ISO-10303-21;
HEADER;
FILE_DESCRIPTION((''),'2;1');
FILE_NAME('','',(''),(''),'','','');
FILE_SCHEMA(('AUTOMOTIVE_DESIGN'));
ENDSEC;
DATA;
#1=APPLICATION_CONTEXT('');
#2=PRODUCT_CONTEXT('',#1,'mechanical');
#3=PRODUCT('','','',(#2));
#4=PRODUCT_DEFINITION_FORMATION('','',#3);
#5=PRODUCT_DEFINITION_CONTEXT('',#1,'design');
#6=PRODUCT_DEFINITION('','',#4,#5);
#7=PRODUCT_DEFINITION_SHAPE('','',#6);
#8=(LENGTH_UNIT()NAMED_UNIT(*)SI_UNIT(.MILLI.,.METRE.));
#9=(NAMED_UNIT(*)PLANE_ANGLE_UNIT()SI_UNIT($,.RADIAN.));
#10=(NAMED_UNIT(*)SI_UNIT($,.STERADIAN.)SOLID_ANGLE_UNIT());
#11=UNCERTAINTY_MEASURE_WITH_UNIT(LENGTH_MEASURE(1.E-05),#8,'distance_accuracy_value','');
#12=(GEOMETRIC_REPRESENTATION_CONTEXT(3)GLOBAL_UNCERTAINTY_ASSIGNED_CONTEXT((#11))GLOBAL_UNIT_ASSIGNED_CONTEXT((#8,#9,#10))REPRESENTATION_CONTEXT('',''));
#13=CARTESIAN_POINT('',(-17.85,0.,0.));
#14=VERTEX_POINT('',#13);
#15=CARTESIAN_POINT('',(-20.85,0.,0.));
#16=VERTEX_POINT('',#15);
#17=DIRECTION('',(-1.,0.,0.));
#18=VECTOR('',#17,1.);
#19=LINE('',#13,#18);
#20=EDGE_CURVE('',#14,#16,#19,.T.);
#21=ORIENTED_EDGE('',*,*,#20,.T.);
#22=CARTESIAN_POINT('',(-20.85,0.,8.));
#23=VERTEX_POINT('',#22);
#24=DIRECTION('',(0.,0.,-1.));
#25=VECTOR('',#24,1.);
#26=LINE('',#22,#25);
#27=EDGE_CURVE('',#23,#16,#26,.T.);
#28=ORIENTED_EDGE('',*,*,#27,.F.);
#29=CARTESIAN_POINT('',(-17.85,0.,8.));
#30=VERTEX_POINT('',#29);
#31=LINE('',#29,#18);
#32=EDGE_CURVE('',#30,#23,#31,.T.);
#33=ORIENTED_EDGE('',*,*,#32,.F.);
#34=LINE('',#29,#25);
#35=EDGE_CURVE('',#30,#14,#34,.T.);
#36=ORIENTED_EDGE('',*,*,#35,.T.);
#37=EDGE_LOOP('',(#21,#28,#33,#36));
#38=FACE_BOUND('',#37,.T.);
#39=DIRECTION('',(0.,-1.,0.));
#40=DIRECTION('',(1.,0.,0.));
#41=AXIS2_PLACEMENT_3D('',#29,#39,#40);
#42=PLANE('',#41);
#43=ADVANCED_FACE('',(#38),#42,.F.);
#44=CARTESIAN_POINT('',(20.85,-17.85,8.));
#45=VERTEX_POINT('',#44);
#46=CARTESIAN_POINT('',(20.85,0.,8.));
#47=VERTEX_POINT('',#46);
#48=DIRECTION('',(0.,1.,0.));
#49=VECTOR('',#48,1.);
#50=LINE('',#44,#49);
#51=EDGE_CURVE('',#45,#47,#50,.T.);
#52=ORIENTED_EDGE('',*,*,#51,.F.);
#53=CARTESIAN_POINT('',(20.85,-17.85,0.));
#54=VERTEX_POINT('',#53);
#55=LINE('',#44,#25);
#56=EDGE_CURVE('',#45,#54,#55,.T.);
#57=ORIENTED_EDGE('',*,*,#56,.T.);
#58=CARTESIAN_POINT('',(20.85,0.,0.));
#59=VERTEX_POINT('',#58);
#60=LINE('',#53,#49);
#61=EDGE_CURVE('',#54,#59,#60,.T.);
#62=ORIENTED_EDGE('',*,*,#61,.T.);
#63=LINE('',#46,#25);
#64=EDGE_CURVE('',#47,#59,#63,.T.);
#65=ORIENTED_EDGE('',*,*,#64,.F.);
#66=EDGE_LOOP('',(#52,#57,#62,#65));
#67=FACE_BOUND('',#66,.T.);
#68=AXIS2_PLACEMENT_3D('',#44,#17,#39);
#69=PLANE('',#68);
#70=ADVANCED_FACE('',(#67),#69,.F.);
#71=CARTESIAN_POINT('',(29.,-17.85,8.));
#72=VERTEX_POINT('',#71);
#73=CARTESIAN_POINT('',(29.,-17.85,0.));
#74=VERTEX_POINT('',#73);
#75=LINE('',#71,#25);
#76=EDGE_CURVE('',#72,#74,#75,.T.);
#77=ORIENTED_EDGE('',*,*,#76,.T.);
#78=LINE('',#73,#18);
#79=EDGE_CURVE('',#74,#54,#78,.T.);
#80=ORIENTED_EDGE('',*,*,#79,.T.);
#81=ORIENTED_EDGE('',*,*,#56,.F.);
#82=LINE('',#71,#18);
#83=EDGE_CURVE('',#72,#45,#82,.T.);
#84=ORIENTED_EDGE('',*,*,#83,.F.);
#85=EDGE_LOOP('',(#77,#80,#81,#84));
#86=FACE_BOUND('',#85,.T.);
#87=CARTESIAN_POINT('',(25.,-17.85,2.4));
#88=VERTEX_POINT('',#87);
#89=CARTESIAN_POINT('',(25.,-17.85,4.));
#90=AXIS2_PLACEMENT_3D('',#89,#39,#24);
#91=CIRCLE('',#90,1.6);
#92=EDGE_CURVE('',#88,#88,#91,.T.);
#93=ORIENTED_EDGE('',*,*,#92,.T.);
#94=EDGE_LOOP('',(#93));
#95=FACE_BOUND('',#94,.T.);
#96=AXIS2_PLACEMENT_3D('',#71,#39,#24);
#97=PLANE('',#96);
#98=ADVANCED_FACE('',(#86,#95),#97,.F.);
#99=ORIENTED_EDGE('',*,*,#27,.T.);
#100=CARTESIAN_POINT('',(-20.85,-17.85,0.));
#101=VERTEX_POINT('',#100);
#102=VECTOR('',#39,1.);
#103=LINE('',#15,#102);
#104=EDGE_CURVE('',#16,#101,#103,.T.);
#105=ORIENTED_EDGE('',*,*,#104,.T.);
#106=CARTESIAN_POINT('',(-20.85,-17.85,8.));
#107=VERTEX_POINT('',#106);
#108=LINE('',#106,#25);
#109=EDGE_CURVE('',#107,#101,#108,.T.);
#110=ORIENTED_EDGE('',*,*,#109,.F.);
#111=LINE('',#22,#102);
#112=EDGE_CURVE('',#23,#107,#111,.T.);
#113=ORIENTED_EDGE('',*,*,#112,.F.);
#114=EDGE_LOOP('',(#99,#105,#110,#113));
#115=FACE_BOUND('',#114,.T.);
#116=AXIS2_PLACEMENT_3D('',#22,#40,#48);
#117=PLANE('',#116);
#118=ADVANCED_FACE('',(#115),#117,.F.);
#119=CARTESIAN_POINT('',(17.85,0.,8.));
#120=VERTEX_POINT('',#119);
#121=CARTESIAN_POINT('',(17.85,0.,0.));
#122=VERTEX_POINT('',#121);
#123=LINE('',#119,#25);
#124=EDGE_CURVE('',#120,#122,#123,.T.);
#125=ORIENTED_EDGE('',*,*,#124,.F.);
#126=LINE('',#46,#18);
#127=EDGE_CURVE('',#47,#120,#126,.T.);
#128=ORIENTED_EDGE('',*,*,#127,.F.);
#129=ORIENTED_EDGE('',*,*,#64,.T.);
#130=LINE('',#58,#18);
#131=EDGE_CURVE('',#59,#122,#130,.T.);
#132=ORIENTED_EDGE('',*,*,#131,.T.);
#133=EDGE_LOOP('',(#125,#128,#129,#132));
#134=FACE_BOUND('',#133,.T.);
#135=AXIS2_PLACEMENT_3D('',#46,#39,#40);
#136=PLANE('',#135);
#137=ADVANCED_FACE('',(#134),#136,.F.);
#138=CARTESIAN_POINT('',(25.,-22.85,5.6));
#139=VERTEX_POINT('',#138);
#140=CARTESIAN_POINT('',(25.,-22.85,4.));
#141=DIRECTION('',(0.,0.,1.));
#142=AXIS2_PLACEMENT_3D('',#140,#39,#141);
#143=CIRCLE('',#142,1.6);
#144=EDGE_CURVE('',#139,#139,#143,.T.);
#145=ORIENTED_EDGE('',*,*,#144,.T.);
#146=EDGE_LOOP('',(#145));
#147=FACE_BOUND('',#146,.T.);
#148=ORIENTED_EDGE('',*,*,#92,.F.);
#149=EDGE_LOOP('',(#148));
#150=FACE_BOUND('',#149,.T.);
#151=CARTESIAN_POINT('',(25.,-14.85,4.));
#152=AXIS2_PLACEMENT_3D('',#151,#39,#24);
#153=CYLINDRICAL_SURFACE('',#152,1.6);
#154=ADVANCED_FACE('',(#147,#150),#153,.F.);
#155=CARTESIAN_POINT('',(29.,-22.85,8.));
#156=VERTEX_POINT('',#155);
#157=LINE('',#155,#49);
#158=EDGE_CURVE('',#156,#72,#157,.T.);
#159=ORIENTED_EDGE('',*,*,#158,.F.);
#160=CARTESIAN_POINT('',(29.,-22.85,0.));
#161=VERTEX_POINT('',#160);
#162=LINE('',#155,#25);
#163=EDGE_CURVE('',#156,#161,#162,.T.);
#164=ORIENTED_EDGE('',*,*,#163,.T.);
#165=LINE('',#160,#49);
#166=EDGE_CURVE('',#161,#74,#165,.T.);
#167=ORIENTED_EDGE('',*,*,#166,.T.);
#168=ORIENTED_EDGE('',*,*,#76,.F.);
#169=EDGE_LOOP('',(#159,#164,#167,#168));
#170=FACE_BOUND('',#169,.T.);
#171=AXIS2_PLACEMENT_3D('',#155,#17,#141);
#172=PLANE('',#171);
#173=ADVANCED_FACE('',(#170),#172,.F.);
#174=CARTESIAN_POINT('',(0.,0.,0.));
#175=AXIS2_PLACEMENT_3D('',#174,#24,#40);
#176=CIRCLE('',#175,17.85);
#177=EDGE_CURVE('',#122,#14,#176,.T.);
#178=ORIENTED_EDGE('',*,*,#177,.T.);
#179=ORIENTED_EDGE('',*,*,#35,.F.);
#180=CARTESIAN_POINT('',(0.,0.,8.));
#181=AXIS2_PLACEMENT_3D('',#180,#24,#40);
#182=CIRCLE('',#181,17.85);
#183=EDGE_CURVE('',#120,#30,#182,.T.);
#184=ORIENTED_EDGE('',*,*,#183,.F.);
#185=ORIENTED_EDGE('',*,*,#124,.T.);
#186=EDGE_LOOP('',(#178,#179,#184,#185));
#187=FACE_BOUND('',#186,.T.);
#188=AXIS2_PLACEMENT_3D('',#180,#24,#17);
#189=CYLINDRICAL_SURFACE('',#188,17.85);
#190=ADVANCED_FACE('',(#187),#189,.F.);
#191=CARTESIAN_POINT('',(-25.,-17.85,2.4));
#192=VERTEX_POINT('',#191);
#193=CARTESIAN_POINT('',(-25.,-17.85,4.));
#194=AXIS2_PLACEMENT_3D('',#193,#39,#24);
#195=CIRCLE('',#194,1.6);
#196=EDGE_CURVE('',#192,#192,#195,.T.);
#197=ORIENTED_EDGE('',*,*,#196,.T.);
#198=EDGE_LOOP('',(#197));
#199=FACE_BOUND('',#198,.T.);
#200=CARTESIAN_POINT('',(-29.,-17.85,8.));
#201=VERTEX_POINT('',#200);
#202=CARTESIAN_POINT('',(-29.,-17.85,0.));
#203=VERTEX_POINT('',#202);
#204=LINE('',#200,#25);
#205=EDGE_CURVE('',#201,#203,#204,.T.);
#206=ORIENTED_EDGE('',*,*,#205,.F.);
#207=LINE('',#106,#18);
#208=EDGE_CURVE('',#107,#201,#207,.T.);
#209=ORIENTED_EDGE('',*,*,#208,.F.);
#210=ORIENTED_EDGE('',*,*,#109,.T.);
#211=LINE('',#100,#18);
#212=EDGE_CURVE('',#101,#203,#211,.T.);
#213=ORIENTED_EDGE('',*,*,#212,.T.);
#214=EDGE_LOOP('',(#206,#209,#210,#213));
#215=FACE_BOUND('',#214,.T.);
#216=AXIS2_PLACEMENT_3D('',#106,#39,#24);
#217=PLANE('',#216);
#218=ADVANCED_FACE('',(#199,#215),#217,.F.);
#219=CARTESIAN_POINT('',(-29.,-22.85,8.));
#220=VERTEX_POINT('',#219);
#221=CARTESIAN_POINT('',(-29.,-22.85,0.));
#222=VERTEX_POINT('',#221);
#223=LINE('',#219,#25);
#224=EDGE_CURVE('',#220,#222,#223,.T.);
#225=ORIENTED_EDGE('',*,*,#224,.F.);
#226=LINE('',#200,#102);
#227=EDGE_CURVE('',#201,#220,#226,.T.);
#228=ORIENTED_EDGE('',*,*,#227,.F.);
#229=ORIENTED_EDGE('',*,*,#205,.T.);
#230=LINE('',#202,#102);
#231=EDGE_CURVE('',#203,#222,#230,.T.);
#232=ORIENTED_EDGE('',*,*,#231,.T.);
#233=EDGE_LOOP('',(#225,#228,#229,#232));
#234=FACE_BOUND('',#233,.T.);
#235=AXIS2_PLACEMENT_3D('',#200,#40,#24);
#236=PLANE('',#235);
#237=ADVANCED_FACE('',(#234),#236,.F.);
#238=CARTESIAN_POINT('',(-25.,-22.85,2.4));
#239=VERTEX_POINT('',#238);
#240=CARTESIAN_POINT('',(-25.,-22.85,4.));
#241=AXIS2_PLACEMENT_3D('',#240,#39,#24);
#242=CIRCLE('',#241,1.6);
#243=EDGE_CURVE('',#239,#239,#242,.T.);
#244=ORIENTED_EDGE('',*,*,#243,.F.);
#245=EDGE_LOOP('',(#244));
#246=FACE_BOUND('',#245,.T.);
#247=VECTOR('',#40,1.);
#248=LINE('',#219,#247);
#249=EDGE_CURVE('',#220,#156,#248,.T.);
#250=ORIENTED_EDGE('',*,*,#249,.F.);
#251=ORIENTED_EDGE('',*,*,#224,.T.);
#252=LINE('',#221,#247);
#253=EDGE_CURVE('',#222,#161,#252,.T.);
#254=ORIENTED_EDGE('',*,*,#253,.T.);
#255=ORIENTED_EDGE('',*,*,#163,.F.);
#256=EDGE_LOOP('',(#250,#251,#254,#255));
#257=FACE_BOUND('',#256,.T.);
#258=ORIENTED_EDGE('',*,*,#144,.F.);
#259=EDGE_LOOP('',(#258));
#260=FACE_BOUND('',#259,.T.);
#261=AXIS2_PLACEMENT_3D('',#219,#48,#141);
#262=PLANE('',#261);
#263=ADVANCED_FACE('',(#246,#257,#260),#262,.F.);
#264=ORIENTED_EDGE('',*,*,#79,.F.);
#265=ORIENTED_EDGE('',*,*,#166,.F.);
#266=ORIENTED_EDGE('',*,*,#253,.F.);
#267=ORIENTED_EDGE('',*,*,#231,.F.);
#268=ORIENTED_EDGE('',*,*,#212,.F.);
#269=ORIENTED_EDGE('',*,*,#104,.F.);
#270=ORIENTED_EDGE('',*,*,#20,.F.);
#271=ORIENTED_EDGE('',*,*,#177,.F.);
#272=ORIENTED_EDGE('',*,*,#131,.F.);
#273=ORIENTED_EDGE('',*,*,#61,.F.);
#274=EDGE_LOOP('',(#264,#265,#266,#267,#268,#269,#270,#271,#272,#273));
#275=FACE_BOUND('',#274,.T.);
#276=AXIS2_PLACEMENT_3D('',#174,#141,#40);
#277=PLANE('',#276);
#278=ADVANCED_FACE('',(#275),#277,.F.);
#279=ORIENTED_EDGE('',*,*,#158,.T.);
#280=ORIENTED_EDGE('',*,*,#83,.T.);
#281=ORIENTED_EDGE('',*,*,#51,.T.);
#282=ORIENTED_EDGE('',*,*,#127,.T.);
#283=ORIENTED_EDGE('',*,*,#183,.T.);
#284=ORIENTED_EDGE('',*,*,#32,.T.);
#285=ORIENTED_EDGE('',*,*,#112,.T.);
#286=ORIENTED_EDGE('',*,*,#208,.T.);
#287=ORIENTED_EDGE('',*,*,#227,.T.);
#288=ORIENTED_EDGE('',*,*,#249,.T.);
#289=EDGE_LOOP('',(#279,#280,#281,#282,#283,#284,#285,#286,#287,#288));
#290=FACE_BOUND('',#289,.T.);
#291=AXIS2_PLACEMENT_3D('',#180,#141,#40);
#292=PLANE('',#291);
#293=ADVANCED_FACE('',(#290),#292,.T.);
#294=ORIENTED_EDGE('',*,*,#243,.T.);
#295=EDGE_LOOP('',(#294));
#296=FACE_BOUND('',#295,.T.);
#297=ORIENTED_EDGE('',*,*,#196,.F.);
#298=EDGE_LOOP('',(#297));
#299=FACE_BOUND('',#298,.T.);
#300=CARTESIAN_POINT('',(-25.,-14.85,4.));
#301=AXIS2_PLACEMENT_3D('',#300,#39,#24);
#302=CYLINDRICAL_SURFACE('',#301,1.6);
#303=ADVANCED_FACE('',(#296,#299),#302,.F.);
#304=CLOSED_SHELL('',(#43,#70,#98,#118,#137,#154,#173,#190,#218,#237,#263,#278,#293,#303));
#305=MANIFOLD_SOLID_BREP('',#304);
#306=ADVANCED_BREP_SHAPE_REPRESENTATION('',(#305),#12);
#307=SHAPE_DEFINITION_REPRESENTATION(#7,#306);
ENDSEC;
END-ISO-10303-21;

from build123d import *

# Parameters (mm, degrees)
EXTRUDE_1_DEPTH     = 8
SKETCH_2_R          = 1.6
CUT_EXTRUDE_1_DEPTH = 8


with BuildPart() as part:
    # ｽｹｯﾁ1 → ﾎﾞｽ - 押し出し1 (new body)
    with BuildSketch(Plane.XY):
        with BuildLine():
            Line((-17.85, 0), (-20.85, 0))
            Line((-20.85, 0), (-20.85, -17.85))
            Line((-20.85, -17.85), (-29, -17.85))
            Line((-29, -17.85), (-29, -22.85))
            Line((-29, -22.85), (29, -22.85))
            Line((29, -22.85), (29, -17.85))
            Line((29, -17.85), (20.85, -17.85))
            Line((20.85, -17.85), (20.85, 0))
            Line((20.85, 0), (17.85, 0))
            ThreePointArc((17.85, 0), (0, -17.85), (-17.85, 0))
        make_face()
    extrude(amount=EXTRUDE_1_DEPTH)

    # ｽｹｯﾁ2 → ｶｯﾄ - 押し出し1 (cut)
    with BuildSketch(Plane.XZ.offset(22.85)):
        with Locations(Location((-25, 4, 0), (0, 0, 270))):
            Circle(SKETCH_2_R)
        with Locations(Location((25, 4, 0), (0, 0, 270))):
            Circle(SKETCH_2_R)
    extrude(amount=-CUT_EXTRUDE_1_DEPTH, mode=Mode.SUBTRACT)


solid = part.part
